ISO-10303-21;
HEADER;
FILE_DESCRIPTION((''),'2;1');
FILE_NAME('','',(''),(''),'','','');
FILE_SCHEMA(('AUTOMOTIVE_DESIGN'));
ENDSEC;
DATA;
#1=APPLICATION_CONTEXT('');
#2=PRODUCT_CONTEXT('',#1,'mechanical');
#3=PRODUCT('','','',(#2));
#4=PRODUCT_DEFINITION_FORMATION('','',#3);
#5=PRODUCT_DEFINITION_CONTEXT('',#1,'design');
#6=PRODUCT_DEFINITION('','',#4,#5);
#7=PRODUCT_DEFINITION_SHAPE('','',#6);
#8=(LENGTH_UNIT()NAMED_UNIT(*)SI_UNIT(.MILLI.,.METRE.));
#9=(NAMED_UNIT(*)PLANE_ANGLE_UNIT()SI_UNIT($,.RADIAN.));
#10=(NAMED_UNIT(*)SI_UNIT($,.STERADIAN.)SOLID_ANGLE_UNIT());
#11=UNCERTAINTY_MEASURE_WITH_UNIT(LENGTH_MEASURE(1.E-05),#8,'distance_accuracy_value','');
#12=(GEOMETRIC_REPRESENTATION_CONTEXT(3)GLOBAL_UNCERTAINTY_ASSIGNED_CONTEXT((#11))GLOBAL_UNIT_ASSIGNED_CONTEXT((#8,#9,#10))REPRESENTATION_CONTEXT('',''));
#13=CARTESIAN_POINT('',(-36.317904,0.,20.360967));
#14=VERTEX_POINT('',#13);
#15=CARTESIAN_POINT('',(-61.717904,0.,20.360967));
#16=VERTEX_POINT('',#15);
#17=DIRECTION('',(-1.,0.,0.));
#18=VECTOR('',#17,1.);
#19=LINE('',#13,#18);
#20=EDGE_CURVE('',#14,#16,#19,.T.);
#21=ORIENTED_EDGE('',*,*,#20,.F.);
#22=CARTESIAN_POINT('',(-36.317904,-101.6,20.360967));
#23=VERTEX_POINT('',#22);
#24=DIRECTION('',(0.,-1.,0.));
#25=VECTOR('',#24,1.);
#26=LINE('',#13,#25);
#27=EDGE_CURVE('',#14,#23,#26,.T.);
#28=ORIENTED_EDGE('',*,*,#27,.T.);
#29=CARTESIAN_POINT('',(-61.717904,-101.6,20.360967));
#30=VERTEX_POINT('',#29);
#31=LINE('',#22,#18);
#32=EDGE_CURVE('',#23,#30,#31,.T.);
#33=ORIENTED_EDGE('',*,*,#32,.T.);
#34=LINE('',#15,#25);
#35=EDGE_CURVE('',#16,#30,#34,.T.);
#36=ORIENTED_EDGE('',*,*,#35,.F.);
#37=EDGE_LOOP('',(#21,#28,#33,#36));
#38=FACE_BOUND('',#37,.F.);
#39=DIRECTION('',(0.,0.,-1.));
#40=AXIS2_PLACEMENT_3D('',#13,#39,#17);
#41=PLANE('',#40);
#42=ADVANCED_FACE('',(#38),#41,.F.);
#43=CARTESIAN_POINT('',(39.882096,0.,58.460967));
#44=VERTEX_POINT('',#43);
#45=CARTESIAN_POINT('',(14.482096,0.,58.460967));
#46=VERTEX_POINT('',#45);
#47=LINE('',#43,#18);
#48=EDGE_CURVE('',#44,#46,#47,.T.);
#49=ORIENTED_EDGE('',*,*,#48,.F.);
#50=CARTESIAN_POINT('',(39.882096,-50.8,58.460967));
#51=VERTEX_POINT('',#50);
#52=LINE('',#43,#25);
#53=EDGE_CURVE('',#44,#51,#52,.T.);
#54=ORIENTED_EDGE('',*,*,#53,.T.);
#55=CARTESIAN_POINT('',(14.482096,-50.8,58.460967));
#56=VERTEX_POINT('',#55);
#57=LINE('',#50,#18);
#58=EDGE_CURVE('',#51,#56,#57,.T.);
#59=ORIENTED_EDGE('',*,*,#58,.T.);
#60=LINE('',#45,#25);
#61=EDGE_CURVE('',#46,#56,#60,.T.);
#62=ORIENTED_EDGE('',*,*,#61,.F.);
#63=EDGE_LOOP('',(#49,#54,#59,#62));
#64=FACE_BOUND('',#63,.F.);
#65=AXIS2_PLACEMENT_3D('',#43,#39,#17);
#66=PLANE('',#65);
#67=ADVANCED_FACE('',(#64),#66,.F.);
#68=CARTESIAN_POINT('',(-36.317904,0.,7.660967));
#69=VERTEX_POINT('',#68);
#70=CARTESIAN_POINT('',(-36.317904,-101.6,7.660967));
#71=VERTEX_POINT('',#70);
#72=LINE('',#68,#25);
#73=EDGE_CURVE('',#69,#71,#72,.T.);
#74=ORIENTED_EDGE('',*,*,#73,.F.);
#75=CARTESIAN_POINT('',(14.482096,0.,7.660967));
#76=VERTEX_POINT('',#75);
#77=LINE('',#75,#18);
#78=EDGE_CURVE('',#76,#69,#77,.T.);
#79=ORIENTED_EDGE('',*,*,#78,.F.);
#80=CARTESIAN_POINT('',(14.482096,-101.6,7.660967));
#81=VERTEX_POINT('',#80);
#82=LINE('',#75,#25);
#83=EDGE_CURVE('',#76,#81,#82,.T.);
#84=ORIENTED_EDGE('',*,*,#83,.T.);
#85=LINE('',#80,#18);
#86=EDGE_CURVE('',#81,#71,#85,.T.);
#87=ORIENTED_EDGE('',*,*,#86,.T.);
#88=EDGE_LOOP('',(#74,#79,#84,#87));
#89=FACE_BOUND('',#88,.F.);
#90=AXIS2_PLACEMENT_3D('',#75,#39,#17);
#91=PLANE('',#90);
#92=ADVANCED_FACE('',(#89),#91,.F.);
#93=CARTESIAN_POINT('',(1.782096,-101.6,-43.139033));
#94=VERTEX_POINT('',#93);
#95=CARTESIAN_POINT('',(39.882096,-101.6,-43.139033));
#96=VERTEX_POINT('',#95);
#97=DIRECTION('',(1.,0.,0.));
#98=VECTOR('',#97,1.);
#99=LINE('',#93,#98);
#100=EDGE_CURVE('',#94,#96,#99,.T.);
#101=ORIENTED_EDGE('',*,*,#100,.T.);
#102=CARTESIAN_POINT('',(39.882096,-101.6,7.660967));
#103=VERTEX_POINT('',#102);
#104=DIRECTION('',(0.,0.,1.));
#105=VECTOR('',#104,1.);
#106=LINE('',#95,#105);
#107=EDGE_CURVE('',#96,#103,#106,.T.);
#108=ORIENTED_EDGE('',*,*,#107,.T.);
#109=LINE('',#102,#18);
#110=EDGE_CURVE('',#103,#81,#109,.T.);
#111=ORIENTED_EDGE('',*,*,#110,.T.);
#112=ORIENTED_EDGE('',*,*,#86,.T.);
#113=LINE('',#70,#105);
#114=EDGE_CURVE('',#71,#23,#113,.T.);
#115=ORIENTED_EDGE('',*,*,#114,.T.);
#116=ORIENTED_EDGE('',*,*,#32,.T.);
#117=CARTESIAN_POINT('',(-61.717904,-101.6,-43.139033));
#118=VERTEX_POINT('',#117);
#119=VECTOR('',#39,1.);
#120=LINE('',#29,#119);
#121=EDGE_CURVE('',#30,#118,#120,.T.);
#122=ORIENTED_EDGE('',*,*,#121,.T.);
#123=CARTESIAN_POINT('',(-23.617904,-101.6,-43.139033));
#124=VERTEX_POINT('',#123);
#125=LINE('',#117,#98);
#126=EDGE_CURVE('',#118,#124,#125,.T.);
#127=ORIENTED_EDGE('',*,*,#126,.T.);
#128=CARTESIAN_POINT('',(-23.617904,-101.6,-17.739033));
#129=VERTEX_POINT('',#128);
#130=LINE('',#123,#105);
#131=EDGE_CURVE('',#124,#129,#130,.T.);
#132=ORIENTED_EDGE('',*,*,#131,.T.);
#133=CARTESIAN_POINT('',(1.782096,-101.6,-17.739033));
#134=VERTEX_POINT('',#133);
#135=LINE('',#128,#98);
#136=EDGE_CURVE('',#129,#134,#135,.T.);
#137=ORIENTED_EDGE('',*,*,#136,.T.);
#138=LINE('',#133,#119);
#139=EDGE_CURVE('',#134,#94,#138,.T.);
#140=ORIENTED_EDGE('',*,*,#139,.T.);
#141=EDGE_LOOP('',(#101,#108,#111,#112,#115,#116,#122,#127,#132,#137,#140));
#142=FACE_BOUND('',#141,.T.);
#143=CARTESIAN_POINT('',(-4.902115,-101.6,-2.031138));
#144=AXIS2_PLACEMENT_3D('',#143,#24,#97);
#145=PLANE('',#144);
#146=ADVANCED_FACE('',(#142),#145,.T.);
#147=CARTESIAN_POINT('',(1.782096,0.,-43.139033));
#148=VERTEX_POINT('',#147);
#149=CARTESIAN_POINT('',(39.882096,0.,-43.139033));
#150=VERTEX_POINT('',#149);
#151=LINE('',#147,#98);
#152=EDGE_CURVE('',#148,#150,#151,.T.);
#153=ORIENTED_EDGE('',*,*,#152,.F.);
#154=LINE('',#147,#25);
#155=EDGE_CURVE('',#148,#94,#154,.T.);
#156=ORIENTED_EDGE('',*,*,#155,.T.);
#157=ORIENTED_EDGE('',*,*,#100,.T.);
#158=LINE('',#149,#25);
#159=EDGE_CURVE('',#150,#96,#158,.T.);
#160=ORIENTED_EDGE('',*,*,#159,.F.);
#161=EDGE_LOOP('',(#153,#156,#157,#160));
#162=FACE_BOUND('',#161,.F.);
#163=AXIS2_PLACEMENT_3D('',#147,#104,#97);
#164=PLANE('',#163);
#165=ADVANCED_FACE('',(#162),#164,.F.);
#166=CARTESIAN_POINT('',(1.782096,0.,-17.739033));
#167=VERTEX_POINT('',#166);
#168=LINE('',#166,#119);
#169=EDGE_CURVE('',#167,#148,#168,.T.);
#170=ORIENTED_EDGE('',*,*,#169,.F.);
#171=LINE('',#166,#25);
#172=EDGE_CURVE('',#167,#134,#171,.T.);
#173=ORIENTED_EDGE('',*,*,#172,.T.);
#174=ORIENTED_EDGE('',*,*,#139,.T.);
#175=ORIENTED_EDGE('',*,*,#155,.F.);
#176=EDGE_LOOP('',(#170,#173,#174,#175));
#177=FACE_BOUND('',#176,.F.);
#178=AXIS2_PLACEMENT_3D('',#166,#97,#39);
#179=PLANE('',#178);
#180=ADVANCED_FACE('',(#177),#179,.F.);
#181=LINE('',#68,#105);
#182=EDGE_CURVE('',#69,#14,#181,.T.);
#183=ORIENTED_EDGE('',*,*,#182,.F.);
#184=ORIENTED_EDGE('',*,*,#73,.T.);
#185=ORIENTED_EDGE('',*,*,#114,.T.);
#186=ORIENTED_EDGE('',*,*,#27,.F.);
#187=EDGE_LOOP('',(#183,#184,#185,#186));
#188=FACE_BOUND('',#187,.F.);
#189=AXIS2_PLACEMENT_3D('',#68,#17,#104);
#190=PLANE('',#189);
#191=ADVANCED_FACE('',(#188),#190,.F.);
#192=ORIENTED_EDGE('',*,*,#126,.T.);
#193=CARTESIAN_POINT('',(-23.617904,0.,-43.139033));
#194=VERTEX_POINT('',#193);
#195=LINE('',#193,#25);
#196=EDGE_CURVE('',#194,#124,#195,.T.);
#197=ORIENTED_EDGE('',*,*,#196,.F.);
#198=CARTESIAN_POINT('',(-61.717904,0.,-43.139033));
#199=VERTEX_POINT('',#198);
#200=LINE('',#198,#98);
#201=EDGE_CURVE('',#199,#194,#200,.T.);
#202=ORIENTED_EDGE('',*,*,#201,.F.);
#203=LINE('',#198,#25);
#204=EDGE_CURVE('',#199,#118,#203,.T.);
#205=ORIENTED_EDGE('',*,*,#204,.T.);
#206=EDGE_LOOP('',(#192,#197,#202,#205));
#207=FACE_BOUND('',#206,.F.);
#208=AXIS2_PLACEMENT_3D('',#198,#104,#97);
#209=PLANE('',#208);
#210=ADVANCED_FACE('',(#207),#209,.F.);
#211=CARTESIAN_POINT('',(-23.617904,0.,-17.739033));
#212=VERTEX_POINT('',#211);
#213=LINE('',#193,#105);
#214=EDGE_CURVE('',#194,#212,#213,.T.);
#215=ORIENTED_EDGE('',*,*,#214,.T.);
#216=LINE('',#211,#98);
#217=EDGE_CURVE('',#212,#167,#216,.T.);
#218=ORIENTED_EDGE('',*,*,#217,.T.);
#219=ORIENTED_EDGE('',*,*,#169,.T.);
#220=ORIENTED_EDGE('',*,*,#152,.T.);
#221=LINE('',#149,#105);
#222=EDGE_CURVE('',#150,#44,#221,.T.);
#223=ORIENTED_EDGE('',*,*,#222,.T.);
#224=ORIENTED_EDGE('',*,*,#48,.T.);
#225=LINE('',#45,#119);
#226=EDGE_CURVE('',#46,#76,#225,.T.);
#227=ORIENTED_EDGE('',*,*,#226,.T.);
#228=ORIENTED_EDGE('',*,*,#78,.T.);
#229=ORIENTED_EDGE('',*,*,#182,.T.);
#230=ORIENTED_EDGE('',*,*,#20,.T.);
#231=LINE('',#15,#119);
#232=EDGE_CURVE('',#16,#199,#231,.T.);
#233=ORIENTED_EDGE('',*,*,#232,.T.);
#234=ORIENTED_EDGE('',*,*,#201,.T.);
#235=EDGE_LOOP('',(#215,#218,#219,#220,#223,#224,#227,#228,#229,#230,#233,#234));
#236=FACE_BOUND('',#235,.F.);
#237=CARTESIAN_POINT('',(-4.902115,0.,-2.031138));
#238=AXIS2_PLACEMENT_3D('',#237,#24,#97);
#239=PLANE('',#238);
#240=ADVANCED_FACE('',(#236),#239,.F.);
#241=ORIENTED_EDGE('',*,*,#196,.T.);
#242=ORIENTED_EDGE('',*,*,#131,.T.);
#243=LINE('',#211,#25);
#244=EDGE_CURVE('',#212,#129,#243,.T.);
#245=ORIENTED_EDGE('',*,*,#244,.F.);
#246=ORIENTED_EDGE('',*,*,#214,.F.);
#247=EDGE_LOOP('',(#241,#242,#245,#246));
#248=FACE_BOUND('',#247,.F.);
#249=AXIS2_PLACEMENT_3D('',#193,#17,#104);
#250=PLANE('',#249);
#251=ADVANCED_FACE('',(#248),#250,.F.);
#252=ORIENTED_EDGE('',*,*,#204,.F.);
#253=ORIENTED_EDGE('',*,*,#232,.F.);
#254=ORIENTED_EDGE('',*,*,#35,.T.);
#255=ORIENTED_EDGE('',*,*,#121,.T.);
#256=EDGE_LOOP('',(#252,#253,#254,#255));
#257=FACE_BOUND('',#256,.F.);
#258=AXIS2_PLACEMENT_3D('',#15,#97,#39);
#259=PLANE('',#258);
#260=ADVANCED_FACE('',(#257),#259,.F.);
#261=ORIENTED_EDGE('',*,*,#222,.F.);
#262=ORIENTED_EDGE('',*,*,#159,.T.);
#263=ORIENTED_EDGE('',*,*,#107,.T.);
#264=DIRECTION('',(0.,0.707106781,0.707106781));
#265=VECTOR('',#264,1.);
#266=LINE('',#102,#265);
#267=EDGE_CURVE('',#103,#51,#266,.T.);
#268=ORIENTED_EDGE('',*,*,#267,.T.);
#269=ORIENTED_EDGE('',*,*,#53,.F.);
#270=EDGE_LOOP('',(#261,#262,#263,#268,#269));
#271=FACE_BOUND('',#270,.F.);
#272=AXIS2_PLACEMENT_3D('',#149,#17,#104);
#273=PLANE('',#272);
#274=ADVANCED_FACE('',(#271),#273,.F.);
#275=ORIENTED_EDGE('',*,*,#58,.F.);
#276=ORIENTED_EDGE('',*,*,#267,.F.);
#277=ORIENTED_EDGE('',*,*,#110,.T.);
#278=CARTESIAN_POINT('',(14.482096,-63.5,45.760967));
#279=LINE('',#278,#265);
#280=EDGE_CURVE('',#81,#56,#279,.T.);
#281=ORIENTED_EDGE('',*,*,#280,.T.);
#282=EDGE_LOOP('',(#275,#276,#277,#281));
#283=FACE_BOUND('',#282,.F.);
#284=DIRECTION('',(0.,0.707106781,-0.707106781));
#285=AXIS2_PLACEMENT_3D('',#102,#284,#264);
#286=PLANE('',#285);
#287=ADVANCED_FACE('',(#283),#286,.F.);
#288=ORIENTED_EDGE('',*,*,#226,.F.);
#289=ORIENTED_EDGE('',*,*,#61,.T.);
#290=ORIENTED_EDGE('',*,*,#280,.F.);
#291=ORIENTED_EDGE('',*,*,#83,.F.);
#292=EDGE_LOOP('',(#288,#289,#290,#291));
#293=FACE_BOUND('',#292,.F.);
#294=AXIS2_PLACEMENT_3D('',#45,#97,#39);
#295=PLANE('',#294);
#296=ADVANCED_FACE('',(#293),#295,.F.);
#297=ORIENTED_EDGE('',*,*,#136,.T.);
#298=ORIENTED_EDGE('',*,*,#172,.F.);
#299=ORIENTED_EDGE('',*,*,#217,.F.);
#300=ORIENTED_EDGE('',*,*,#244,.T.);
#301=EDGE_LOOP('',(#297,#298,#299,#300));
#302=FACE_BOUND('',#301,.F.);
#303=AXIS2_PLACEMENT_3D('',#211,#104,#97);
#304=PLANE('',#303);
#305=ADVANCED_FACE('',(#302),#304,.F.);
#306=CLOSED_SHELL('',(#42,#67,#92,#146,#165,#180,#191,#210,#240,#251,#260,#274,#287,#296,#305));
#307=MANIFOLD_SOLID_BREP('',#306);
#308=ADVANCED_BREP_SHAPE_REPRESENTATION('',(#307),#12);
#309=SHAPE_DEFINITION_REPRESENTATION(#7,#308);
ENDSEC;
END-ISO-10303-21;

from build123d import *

# Parameters (mm, degrees)
F1_DEPTH = 101.6
F3_DEPTH = 50.8


with BuildPart() as f1:
    # F0 (on Front) → F1 (new body)
    with BuildSketch(Plane.XZ):
        Polygon((-61.717904, 20.360967), (-61.717904, -43.139033), (-23.617904, -43.139033), (-23.617904, -17.739033), (1.782096, -17.739033), (1.782096, -43.139033), (39.882096, -43.139033), (39.882096, 58.460967), (14.482096, 58.460967), (14.482096, 7.660967), (-36.317904, 7.660967), (-36.317904, 20.360967), align=None)
    extrude(amount=F1_DEPTH)

    # F2 (on face) → F3 (cut)
    with BuildSketch(Plane.YZ.offset(39.882096)):
        Polygon((-50.8, 58.460967), (-101.6, 58.460967), (-101.6, 7.660967), align=None)
    extrude(amount=-F3_DEPTH, mode=Mode.SUBTRACT)


solid = f1.part
